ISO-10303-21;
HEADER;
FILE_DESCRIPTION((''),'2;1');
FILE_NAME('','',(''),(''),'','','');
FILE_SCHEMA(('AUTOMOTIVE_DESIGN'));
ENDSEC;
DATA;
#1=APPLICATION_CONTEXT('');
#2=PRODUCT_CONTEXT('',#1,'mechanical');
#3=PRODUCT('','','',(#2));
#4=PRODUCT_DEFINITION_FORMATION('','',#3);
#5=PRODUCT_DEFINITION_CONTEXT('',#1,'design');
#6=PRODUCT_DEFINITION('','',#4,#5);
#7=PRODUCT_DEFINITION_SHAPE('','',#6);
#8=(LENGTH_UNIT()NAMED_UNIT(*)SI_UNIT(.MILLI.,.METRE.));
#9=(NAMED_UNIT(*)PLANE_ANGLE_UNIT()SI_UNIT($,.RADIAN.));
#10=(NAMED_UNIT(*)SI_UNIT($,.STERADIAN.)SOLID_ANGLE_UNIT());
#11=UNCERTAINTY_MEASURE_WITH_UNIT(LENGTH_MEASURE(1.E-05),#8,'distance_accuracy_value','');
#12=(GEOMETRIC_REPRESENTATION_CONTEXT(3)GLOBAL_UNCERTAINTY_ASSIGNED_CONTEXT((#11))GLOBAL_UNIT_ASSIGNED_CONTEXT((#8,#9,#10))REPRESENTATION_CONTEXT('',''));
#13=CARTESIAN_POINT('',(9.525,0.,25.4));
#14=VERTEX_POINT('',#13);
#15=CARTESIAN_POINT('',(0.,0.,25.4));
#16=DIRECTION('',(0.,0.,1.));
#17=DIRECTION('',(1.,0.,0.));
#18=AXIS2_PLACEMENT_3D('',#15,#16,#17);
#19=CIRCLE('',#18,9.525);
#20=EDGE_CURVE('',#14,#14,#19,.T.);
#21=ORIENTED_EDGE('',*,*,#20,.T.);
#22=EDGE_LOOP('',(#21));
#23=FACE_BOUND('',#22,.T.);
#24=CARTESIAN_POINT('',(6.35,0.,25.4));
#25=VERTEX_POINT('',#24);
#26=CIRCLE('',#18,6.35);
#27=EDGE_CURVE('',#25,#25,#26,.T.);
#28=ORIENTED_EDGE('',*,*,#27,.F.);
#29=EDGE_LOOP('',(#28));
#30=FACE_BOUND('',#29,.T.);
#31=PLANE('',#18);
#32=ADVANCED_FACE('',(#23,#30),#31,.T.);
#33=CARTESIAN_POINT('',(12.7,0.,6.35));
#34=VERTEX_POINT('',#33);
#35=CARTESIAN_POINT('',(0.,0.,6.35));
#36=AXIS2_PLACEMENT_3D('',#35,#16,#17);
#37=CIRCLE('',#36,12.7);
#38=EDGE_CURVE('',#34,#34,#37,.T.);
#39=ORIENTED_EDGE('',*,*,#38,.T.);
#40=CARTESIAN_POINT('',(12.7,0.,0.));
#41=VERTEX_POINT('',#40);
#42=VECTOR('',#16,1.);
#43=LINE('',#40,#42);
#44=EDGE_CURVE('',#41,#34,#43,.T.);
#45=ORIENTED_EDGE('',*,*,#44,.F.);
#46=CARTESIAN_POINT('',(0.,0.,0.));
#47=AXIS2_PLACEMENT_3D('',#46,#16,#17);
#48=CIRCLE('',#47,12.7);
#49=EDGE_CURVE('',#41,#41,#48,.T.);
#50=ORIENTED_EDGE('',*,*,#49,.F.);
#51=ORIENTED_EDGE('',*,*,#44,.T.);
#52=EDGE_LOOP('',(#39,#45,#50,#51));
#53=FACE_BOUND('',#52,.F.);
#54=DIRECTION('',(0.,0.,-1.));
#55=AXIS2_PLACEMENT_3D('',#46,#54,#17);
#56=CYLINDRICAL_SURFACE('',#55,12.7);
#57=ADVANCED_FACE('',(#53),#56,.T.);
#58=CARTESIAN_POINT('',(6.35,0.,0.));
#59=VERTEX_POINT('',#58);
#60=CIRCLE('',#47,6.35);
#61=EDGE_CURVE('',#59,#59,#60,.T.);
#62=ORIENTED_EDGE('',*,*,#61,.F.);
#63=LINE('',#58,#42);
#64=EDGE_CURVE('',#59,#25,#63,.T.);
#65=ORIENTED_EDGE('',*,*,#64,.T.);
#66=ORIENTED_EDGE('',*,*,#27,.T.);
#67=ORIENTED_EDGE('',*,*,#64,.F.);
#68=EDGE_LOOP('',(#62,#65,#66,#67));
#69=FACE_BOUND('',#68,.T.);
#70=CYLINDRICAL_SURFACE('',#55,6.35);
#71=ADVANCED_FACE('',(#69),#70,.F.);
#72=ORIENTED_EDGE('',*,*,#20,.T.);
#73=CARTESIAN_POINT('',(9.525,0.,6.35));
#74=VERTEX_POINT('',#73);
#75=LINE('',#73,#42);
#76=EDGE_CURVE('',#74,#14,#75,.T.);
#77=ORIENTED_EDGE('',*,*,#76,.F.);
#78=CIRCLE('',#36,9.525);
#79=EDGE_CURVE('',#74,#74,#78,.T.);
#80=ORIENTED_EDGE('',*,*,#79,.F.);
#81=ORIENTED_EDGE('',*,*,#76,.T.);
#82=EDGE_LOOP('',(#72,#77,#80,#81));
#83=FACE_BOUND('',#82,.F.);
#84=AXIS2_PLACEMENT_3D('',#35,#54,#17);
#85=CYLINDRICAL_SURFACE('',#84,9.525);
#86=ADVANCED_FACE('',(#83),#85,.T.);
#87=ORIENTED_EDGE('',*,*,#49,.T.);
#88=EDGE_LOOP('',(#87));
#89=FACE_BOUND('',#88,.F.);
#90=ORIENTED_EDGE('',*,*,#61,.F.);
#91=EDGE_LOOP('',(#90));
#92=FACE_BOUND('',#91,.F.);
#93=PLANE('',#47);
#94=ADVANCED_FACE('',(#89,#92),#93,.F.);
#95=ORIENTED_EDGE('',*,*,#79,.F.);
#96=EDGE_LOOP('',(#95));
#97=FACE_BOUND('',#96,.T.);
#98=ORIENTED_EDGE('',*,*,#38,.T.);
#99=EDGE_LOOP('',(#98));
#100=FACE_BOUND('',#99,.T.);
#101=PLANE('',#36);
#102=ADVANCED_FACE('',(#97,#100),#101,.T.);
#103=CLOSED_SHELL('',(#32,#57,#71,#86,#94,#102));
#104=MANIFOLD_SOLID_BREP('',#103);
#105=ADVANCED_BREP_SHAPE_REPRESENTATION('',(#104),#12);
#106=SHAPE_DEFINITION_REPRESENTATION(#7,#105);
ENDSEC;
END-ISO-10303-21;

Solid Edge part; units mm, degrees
sketch "Sketch1" plane through (0, 0, 0) normal (0, 0, 1) x (1, 0, 0)
  circle A0 centre (0, 0) radius 12.7
  circle A1 centre (0, 0) radius 6.35
  dimension "D1" = 25.4
  dimension "D2" = 12.7
extrude "Protrusion1" add sketch "Sketch1" along normal blind 6.35
sketch "Sketch2" plane through (0, 0, 6.35) normal (0, 0, 1) x (1, 0, 0)
  circle A0 centre (0, 0) radius 6.35
  circle A1 centre (0, 0) radius 9.525
  dimension "D1" = 19.05
extrude "ExtrudedProtrusion_2" add sketch "Sketch2" along normal blind 19.05
properties material "Polyethylene, low density"
